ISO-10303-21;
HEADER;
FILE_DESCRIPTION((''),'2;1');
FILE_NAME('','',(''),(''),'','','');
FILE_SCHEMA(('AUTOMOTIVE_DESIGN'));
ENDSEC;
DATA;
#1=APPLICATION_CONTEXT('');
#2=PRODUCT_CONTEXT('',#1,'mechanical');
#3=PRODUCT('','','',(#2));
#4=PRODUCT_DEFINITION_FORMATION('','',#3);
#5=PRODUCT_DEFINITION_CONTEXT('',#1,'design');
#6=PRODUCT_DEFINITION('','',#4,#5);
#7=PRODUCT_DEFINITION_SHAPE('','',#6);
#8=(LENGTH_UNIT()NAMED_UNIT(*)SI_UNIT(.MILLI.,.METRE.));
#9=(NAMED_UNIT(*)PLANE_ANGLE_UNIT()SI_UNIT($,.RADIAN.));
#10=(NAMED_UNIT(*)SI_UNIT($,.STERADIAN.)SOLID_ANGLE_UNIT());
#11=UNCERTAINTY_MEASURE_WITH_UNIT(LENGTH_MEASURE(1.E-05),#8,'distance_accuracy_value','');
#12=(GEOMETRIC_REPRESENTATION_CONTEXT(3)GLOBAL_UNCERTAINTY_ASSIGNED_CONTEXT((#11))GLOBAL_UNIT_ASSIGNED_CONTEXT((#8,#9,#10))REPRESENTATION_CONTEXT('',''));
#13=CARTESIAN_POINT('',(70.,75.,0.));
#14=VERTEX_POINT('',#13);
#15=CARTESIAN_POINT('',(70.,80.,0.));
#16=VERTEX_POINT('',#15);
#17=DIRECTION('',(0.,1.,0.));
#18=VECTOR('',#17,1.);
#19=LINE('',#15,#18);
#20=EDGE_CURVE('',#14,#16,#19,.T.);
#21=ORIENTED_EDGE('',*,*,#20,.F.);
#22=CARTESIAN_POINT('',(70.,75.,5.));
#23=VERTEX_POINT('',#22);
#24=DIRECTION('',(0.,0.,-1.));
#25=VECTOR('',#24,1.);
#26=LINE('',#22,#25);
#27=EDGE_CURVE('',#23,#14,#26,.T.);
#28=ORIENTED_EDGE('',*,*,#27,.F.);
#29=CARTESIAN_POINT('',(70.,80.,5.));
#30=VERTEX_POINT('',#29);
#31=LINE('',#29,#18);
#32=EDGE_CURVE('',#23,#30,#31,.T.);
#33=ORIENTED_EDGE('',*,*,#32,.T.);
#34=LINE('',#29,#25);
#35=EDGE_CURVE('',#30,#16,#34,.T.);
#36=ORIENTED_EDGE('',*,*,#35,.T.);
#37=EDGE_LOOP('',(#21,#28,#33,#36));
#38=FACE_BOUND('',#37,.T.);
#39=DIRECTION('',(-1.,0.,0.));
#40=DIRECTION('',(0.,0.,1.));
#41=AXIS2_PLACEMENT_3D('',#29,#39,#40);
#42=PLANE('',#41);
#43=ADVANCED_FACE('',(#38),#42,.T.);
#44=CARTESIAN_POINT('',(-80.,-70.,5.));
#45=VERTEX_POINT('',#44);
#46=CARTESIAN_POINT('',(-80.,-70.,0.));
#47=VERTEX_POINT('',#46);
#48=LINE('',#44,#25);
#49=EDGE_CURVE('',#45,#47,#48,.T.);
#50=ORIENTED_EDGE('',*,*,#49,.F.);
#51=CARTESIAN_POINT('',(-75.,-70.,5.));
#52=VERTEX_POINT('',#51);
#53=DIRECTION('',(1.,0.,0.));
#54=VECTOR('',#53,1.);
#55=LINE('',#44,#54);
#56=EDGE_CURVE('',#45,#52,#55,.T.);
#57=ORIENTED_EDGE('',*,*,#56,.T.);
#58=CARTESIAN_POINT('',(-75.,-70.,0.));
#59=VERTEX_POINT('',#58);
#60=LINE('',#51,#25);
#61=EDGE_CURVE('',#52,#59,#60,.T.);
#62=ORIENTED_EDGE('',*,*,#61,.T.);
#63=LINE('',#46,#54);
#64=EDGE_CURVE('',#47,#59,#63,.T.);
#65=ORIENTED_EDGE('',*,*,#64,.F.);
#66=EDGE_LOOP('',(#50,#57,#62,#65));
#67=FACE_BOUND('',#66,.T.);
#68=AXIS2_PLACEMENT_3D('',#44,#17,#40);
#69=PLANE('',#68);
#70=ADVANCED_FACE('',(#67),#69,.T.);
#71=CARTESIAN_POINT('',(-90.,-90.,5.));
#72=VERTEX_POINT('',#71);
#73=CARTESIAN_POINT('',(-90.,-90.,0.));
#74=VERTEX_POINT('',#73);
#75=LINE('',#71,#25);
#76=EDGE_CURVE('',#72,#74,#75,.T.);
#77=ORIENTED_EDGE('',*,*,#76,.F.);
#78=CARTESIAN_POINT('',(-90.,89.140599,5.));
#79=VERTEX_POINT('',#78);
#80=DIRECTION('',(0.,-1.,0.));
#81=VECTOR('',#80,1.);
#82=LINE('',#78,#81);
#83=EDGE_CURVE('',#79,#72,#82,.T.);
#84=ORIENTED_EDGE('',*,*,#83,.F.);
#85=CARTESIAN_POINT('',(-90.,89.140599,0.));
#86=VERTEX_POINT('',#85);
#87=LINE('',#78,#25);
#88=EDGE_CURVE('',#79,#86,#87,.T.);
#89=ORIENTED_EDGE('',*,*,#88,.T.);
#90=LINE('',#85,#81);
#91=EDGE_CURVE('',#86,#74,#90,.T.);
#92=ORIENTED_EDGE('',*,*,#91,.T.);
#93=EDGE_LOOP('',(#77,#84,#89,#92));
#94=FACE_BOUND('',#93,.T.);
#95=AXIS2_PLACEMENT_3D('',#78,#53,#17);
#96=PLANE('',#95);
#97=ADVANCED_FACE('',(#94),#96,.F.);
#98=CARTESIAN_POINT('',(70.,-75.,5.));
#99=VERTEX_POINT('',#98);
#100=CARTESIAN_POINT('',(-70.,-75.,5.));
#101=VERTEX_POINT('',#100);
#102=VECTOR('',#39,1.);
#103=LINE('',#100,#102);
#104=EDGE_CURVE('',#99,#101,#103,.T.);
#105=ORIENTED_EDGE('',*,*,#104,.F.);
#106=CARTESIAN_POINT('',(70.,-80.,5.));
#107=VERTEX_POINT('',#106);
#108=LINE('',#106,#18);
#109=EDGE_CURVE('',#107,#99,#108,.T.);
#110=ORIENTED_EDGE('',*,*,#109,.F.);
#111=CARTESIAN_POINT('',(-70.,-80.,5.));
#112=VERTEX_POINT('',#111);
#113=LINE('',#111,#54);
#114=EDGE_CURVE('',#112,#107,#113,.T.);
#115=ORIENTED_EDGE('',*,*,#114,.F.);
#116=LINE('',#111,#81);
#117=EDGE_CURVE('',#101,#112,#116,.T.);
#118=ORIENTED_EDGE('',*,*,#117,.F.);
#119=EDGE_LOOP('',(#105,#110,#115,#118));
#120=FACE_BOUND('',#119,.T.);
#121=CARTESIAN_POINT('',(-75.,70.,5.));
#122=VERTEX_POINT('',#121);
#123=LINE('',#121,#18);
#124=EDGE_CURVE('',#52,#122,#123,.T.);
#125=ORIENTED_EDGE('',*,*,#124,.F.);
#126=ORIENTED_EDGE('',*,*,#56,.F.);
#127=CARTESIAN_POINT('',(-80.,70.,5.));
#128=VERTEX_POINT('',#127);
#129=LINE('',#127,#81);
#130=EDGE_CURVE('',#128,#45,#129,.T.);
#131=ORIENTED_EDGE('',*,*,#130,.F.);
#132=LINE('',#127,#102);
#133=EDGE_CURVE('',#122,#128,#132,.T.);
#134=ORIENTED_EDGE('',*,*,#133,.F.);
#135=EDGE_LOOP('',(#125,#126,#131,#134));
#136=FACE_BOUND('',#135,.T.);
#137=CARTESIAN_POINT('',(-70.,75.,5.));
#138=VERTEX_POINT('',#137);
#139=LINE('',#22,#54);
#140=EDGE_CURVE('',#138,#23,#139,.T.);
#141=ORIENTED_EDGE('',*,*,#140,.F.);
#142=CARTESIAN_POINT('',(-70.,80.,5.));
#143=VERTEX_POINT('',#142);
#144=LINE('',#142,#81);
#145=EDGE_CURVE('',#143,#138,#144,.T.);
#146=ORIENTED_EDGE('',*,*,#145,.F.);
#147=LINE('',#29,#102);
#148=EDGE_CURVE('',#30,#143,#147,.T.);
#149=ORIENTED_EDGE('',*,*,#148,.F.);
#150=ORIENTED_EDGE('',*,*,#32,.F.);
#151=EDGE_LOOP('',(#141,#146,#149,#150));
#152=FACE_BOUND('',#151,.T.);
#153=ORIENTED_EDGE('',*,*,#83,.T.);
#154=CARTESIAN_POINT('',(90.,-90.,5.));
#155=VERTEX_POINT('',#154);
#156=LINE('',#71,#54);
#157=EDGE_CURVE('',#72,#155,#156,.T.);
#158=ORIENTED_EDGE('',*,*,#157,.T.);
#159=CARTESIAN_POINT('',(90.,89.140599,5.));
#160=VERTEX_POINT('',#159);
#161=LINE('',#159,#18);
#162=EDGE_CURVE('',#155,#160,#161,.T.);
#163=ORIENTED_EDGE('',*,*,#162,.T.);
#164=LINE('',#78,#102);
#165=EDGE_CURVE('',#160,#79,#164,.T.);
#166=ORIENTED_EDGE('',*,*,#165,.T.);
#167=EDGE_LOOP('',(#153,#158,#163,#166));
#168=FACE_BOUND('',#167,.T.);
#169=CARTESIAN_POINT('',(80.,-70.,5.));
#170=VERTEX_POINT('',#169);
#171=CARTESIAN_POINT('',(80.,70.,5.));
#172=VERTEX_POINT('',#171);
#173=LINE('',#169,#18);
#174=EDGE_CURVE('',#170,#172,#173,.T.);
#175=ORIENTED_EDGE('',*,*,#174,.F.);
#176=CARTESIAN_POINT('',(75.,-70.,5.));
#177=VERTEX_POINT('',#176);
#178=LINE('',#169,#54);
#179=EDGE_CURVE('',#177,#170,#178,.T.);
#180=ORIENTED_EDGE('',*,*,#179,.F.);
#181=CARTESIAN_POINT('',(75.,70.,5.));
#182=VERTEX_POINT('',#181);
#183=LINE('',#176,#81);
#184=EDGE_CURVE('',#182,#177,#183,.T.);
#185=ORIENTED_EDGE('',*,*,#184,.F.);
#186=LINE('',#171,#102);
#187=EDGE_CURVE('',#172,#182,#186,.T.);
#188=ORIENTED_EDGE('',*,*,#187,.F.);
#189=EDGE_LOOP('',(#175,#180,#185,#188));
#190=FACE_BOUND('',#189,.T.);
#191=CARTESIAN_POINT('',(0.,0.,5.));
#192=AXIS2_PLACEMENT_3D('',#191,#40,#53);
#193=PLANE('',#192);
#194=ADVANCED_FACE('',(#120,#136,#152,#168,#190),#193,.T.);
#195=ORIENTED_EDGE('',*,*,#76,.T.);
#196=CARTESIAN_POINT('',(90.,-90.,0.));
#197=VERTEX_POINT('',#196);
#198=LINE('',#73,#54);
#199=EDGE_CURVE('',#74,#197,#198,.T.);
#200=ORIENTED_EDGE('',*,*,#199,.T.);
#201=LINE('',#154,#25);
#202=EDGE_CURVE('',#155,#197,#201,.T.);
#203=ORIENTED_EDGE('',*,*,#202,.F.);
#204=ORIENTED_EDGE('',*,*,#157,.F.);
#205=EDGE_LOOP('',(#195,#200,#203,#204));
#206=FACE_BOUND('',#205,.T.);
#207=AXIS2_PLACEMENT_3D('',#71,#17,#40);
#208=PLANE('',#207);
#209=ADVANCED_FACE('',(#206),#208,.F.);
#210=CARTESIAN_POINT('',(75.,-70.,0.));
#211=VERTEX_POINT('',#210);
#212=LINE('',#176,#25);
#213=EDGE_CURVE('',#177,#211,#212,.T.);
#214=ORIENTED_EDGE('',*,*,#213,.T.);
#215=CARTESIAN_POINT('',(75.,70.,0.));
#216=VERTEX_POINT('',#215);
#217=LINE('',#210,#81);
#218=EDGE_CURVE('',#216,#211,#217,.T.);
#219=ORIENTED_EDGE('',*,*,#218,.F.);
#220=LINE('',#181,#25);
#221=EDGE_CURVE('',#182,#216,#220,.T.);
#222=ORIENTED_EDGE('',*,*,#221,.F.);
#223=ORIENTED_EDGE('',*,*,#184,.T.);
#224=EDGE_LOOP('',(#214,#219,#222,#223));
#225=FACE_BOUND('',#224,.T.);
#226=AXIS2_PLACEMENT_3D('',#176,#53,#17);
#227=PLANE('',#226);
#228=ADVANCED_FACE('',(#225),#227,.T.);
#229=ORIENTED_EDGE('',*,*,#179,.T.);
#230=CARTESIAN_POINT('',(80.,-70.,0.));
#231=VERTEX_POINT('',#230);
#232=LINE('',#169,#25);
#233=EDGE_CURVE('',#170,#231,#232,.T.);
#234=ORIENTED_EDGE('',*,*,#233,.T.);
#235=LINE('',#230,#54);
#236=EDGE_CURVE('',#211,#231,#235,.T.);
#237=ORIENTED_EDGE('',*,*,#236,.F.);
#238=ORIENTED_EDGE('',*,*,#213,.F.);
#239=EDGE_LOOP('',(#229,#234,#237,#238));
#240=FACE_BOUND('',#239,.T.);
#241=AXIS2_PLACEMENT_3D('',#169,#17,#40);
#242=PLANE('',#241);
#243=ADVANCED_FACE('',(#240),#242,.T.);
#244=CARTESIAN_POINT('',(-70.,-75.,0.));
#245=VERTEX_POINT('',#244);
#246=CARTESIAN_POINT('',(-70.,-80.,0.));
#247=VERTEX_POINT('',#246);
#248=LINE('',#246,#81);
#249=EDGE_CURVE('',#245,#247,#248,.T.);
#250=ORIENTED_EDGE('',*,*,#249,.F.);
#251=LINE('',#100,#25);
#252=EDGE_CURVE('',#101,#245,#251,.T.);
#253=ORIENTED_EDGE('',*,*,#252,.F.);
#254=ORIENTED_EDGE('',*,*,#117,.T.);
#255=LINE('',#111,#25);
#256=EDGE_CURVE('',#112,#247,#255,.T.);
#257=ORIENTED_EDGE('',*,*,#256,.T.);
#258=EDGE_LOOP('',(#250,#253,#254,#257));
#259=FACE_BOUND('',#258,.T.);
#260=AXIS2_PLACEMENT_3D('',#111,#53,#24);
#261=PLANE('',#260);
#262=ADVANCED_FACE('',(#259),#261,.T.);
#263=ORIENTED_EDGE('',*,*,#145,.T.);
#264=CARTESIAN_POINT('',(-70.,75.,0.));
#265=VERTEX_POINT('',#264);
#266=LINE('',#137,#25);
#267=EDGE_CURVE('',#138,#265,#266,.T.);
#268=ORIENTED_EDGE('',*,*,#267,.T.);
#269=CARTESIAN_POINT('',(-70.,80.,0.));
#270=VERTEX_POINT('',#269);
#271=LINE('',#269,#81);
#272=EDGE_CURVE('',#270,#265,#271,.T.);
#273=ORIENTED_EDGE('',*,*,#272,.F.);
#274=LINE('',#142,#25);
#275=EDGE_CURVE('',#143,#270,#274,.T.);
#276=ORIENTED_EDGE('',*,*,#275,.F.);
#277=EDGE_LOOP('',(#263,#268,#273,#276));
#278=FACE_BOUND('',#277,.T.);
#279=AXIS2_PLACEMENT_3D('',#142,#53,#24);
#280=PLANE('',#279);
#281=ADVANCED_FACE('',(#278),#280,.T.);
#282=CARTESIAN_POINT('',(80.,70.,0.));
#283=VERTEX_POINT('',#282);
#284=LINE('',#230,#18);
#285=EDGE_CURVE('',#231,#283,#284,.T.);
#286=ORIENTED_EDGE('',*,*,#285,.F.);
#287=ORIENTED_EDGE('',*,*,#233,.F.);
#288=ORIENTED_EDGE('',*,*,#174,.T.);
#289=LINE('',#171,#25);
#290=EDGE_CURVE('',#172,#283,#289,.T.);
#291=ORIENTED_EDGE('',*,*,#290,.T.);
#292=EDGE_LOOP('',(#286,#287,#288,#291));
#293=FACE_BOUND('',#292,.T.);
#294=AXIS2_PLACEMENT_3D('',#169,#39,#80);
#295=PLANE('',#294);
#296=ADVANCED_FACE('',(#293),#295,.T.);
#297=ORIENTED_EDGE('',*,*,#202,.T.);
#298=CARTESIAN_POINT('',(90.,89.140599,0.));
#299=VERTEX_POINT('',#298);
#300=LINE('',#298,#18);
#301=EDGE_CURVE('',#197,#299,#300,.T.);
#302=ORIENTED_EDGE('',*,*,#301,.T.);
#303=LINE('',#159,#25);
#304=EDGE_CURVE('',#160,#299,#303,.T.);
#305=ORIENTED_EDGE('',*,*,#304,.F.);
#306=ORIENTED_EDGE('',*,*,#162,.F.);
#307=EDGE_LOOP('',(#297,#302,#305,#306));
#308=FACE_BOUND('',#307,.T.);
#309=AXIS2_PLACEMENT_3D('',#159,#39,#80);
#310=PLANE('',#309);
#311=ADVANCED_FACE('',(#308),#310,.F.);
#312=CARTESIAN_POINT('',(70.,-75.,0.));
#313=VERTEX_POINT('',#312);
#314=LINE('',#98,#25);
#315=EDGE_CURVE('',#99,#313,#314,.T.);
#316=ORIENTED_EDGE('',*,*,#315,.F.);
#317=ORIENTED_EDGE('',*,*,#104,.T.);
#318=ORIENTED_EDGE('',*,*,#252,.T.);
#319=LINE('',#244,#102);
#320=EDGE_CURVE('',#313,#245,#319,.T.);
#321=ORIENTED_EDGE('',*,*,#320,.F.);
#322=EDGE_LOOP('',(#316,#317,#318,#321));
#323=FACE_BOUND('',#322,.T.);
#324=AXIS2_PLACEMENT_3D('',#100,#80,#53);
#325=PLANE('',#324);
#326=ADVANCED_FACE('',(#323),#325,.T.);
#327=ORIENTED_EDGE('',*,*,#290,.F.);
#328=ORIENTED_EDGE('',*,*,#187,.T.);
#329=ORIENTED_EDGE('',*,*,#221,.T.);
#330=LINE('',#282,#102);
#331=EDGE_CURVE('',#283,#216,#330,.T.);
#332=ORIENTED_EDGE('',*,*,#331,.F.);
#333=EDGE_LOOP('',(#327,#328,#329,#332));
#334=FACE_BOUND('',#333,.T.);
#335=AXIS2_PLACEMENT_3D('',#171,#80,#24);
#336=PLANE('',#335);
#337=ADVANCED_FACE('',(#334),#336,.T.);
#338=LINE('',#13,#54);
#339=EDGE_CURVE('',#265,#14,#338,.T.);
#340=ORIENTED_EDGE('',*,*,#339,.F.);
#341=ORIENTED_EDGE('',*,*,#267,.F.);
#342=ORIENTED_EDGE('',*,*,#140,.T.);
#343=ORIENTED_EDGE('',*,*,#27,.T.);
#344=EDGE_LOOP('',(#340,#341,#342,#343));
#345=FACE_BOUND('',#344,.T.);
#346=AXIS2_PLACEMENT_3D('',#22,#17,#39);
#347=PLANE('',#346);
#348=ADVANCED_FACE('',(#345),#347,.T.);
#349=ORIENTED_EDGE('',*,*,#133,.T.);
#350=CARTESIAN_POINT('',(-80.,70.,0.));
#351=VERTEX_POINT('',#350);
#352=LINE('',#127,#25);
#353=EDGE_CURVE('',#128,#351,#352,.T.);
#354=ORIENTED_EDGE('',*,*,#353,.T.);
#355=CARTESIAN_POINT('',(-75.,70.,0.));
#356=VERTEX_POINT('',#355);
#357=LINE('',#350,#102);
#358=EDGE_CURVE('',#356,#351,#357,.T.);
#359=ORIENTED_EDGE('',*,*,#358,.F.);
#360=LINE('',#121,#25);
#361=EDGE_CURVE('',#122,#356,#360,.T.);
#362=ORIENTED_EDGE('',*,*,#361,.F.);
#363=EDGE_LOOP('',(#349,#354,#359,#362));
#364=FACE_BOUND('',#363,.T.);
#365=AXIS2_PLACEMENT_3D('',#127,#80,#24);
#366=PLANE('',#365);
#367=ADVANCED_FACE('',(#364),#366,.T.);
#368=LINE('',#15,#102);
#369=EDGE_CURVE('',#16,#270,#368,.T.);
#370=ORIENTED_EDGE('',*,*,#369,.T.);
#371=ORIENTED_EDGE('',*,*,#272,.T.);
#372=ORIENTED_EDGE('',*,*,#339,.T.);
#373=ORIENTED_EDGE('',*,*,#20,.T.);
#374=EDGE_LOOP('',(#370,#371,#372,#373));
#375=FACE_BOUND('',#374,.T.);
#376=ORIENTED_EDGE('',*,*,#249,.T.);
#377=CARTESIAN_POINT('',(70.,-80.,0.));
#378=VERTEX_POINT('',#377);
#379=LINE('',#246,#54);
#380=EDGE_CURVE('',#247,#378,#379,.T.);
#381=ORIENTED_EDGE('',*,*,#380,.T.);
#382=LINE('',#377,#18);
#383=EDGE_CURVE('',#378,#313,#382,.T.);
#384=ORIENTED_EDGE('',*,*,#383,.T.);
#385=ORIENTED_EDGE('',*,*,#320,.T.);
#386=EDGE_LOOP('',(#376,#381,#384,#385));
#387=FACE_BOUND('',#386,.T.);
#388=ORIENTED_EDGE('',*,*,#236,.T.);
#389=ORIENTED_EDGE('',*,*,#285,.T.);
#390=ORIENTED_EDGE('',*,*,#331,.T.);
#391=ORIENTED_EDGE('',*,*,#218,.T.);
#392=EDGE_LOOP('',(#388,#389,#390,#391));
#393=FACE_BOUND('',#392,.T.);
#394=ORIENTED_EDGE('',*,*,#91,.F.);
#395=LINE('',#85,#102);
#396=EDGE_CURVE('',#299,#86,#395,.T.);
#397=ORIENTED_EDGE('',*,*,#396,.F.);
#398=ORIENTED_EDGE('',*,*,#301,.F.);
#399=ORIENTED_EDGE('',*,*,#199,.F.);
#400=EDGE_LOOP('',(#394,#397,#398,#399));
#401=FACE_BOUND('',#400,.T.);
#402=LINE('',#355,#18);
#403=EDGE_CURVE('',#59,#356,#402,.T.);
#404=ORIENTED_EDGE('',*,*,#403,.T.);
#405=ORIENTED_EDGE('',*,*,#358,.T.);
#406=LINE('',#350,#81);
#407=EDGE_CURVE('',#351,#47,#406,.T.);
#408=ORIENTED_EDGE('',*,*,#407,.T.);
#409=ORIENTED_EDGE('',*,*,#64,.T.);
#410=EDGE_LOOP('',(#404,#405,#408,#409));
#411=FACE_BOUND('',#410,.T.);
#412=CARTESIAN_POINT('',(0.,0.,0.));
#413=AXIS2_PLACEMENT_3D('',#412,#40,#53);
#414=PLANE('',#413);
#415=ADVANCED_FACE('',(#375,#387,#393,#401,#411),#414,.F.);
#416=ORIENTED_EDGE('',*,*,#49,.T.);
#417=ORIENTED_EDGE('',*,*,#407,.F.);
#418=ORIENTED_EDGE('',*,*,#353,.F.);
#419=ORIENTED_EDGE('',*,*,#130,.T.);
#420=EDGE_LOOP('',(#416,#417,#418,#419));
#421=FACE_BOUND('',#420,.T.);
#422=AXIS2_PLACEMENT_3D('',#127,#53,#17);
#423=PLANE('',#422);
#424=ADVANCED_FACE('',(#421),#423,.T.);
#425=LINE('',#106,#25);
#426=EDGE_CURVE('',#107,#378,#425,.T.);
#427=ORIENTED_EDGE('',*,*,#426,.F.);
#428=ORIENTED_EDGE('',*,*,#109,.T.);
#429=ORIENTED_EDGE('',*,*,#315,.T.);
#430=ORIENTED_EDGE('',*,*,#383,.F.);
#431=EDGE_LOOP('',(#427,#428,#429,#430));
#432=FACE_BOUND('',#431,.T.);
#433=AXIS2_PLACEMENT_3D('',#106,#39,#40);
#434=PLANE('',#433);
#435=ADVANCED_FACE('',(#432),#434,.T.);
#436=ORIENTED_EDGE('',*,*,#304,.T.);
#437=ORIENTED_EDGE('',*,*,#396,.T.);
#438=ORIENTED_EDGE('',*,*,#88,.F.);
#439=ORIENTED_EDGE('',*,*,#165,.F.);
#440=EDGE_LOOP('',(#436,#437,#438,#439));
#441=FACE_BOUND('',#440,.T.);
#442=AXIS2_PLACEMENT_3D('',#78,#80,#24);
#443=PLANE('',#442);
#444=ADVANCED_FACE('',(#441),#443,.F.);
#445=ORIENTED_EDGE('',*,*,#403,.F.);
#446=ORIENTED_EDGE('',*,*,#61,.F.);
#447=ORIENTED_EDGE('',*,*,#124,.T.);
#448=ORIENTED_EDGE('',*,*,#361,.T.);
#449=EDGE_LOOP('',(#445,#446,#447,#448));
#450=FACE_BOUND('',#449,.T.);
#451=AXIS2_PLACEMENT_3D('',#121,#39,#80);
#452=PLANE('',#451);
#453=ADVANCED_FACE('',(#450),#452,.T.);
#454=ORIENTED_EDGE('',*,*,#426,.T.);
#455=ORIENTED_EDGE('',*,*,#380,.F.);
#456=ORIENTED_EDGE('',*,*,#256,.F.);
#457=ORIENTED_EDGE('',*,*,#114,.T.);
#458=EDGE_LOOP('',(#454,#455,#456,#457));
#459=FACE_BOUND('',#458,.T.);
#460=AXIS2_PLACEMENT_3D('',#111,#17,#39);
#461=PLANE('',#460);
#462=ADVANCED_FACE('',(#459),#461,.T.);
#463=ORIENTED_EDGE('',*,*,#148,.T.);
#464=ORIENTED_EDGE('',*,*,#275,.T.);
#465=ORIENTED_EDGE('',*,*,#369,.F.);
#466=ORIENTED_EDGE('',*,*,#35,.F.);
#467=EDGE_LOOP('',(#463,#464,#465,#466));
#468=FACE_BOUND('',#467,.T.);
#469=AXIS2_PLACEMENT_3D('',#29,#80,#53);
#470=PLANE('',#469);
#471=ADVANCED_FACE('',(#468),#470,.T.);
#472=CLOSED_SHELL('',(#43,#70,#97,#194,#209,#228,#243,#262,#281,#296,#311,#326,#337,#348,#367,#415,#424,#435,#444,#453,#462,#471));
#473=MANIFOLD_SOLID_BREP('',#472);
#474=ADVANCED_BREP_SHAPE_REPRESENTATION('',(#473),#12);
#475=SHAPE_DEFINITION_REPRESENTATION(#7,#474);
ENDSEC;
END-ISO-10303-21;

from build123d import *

# Parameters (mm, degrees)
ESQUISSE1_W        = 180
ESQUISSE1_H        = 179.14059872
ESQUISSE1_W_2      = 140
ESQUISSE1_H_2      = 5
ESQUISSE1_W_3      = 5
ESQUISSE1_H_3      = 140
BOSS_EXTRU_1_DEPTH = 5


with BuildPart() as part:
    # Esquisse1 → Boss.-Extru.1 (new body)
    with BuildSketch(Plane.XY):
        with Locations((0, -0.42970064)):
            Rectangle(ESQUISSE1_W, ESQUISSE1_H)
        with Locations((0, 77.5)):
            Rectangle(ESQUISSE1_W_2, ESQUISSE1_H_2, mode=Mode.SUBTRACT)
        with Locations((-77.5, 0)):
            Rectangle(ESQUISSE1_W_3, ESQUISSE1_H_3, mode=Mode.SUBTRACT)
        with Locations((77.5, 0)):
            Rectangle(ESQUISSE1_W_3, ESQUISSE1_H_3, mode=Mode.SUBTRACT)
        with Locations((0, -77.5)):
            Rectangle(ESQUISSE1_W_2, ESQUISSE1_H_2, mode=Mode.SUBTRACT)
    extrude(amount=BOSS_EXTRU_1_DEPTH)


solid = part.part
